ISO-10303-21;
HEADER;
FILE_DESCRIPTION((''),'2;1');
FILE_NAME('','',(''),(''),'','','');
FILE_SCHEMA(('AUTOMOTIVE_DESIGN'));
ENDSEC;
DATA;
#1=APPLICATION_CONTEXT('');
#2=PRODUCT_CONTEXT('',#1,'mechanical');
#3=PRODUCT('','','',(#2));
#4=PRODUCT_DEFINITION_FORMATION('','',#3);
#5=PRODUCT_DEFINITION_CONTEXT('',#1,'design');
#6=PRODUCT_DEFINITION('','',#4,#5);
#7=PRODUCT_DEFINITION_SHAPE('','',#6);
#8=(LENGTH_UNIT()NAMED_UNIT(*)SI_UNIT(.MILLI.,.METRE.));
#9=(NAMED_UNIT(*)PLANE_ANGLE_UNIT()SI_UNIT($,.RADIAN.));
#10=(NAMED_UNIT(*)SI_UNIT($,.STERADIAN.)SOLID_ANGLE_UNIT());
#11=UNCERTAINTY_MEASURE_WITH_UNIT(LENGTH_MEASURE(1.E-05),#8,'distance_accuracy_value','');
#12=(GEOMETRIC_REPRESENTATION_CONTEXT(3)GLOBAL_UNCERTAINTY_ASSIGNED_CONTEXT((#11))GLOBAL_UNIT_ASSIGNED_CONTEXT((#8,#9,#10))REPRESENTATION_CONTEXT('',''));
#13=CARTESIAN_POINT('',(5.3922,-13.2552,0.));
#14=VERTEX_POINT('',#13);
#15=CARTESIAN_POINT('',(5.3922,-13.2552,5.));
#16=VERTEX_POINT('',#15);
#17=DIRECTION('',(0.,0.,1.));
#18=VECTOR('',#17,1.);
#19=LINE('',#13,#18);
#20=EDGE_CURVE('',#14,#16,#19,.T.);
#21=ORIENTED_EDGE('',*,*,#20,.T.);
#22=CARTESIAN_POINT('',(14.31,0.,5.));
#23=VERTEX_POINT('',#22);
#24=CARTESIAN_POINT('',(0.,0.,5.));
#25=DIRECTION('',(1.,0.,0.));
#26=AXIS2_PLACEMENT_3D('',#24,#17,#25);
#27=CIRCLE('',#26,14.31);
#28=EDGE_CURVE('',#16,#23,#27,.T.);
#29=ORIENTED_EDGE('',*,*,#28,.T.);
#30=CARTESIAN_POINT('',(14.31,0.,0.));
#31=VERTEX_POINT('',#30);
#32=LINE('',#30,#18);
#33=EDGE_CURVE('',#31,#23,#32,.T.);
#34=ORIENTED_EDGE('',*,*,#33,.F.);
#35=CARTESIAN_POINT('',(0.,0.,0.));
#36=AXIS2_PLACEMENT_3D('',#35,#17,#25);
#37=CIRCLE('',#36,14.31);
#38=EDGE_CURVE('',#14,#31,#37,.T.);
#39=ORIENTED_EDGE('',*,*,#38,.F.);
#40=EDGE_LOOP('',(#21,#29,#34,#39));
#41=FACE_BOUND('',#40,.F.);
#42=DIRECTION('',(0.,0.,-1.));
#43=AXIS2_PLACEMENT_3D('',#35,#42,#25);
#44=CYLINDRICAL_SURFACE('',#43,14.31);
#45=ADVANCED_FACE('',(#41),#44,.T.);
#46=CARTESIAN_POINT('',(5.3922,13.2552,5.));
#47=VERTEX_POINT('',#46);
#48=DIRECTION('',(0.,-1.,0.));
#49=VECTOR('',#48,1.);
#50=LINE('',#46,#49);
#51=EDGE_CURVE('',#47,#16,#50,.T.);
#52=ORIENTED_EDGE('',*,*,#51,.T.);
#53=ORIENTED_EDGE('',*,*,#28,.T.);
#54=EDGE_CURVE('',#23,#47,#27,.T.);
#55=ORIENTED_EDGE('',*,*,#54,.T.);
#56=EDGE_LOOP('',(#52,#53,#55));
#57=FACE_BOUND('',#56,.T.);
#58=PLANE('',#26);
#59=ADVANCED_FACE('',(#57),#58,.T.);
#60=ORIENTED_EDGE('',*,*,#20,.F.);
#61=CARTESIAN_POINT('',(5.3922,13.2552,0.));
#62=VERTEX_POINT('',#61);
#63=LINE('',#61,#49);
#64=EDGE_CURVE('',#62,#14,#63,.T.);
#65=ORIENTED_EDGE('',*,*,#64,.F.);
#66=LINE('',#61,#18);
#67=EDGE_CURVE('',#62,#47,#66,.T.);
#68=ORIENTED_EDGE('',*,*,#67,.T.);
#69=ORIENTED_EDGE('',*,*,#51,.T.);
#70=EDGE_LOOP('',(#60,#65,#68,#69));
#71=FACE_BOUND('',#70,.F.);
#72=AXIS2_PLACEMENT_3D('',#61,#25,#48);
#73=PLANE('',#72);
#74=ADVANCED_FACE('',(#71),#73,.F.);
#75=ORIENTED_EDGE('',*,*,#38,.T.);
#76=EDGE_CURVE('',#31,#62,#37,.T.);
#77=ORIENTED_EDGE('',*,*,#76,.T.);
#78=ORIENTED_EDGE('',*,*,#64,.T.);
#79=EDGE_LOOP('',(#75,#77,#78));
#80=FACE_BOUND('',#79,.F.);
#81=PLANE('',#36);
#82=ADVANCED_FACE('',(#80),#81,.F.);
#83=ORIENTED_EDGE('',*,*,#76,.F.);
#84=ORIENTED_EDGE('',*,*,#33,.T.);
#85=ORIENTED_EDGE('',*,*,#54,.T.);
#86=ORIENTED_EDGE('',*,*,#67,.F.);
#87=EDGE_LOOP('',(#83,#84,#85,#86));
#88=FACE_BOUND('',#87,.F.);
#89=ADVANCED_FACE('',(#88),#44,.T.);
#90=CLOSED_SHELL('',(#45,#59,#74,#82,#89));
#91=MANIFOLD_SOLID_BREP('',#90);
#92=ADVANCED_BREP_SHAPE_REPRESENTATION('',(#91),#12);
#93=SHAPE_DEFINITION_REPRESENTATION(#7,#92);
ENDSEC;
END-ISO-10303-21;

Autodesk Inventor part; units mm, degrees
ref_plane "YZ Plane" through (0, 0, 0) normal (1, 0, 0) x (0, 1, 0)
ref_plane "XZ Plane" through (0, 0, 0) normal (0, 1, 0) x (-1, 0, 0)
ref_plane "XY Plane" through (0, 0, 0) normal (0, 0, 1) x (1, 0, 0)
ref_plane "Work Plane1" through (0, 0, 0) normal (0, 0, 1) x (1, 0, 0)
sketch "Sketch1" plane through (0, 0, 0) normal (0, 0, 1) x (1, 0, 0)
  line L0 (5.2722, 6.9481) -> (5.2722, 3.9219) construction
  line L1 (-5.12, 6.9481) -> (-5.12, 3.9219) construction
  arc A0 (-4, 13.8645) -> (-4, -13.8645) centre (0, 0) ccw construction
  circle A1 centre (0, 0) radius 14.31
  line L2 (5.3922, 13.2552) -> (5.3922, -13.2552)
  point P0 (0, 0)
  dimension "d0" = 0.12
  dimension "d1" = 0.12
extrude "Extrusion1" add sketch "Sketch1" along normal blind 5 contours A1 L2 picked at (6.3789, 3.8732)
properties part number "spaceFiller"
